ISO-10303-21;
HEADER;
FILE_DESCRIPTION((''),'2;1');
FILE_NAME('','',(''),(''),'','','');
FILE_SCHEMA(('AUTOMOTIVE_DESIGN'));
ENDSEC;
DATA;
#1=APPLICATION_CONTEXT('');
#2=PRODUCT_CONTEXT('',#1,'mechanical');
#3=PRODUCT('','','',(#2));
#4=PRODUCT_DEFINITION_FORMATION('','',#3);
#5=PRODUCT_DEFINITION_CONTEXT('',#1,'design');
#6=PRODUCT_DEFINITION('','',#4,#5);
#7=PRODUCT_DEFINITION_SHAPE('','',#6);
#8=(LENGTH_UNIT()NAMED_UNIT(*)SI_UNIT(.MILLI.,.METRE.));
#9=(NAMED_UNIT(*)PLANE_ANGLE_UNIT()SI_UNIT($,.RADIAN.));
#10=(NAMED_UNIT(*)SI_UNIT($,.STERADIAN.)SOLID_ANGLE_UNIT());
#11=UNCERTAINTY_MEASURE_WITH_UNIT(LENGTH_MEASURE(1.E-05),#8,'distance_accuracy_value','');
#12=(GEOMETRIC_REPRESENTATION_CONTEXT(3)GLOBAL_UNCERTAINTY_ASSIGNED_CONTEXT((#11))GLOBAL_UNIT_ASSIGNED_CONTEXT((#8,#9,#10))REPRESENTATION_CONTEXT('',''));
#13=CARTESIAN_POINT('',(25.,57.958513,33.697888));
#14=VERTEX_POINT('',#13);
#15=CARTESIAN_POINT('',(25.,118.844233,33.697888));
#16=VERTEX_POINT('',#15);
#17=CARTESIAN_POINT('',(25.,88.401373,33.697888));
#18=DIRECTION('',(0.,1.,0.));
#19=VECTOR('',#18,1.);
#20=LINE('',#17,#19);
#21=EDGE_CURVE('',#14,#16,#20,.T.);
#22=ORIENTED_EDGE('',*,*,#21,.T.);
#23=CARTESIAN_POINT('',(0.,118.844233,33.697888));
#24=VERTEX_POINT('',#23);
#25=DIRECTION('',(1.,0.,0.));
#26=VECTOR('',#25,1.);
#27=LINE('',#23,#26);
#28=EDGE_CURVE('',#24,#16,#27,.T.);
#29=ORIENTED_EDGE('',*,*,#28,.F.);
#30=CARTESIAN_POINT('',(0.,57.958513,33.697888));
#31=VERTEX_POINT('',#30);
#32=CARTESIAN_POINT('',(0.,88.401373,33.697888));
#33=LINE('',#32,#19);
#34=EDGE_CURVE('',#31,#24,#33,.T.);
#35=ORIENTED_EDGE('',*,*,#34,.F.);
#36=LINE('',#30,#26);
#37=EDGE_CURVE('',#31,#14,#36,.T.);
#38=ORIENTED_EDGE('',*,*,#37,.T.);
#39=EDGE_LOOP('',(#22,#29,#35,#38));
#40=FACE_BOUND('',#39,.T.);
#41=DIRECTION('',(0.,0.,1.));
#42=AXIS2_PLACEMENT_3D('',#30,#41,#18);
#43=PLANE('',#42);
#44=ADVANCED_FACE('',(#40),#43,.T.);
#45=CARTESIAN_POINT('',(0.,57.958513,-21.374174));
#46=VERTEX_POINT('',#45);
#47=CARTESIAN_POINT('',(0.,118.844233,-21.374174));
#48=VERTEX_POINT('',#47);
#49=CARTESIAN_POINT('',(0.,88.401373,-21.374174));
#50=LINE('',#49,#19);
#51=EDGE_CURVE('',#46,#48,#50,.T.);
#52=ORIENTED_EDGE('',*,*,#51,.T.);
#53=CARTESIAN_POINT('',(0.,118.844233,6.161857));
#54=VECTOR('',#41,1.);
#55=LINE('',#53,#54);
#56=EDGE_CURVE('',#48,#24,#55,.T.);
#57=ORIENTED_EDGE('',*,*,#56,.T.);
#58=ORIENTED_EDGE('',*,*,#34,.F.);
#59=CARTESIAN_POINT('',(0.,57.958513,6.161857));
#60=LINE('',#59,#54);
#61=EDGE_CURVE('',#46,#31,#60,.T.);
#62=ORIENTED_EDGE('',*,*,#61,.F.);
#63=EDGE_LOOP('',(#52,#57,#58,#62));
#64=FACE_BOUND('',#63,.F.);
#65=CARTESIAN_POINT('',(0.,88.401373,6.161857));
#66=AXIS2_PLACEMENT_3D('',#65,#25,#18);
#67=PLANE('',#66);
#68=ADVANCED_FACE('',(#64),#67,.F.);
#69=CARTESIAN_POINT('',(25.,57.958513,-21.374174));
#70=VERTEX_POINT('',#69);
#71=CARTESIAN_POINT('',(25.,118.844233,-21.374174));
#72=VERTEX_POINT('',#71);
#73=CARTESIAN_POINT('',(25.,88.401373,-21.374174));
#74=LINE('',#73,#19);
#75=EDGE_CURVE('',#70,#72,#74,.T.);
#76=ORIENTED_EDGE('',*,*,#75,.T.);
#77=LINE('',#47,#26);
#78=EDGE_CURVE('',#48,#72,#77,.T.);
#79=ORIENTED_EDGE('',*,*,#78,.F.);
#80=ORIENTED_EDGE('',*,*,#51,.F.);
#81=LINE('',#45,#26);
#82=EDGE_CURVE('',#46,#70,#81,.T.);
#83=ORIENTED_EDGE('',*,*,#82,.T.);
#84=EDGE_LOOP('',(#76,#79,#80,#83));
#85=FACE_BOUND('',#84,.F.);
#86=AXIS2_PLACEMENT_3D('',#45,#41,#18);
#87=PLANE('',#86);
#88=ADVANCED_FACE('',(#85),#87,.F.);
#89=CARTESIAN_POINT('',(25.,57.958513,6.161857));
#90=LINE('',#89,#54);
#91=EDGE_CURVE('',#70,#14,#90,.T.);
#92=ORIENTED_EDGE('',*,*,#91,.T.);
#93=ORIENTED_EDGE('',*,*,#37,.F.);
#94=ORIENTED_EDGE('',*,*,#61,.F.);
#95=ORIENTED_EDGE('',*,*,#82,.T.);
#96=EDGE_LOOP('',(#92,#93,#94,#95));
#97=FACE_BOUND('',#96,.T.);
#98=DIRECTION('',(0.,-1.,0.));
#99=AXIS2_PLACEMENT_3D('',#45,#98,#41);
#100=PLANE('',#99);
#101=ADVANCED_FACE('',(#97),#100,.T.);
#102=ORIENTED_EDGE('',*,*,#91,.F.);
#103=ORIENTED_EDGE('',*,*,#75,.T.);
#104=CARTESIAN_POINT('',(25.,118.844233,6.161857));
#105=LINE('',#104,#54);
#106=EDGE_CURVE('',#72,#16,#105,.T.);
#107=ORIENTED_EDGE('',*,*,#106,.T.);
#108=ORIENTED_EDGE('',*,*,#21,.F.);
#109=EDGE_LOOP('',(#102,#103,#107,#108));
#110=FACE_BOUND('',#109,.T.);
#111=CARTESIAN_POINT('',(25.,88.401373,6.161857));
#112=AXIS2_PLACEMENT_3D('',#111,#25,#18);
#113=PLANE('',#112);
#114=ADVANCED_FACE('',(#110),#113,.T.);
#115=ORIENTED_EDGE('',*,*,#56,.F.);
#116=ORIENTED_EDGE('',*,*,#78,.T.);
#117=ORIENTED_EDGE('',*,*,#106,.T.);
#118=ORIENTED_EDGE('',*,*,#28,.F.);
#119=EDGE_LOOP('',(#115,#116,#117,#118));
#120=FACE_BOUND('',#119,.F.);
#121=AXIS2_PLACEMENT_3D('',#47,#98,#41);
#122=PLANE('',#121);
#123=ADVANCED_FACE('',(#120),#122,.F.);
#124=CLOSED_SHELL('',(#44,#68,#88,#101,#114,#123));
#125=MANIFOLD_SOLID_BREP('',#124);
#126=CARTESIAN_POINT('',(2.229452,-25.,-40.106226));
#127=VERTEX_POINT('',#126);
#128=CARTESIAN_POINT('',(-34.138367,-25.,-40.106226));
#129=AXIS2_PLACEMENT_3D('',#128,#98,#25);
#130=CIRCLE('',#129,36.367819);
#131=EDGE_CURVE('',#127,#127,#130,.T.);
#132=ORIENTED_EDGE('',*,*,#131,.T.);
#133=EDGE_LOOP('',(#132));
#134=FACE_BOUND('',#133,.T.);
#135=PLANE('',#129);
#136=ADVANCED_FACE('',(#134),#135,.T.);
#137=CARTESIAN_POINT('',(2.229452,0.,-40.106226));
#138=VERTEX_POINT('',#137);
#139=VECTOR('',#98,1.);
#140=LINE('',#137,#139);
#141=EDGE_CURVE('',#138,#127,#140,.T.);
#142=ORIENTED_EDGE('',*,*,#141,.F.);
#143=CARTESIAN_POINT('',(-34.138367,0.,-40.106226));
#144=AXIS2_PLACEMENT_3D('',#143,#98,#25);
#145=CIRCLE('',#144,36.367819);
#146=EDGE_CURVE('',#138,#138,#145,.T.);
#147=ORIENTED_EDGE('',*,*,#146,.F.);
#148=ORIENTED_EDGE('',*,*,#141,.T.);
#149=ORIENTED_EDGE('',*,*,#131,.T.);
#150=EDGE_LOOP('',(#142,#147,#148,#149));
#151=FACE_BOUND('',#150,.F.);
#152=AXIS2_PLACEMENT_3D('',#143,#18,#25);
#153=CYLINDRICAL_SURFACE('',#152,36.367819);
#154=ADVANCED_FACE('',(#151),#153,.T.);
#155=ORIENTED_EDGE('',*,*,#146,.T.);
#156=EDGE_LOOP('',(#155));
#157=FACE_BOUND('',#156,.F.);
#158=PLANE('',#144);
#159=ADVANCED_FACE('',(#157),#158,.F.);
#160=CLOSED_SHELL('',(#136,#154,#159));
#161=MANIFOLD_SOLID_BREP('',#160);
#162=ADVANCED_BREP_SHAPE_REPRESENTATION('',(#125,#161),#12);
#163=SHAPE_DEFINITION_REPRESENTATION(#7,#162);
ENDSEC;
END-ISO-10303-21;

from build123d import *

# Parameters (mm, degrees)
F0_R     = 36.367819
F1_DEPTH = 25
F2_W     = 60.88572
F2_H     = 55.072063
F3_DEPTH = 25


with BuildPart() as f1:
    # F0 (on Front) → F1 (new body)
    with BuildSketch(Plane.XZ):
        with Locations((-34.138367, -40.106226)):
            Circle(F0_R)
    extrude(amount=F1_DEPTH)


with BuildPart() as f3:
    # F2 (on Right) → F3 (new body)
    with BuildSketch(Plane.YZ):
        with Locations((88.401373, 6.161857)):
            Rectangle(F2_W, F2_H)
    extrude(amount=F3_DEPTH)


solid = Compound([f1.part, f3.part])
